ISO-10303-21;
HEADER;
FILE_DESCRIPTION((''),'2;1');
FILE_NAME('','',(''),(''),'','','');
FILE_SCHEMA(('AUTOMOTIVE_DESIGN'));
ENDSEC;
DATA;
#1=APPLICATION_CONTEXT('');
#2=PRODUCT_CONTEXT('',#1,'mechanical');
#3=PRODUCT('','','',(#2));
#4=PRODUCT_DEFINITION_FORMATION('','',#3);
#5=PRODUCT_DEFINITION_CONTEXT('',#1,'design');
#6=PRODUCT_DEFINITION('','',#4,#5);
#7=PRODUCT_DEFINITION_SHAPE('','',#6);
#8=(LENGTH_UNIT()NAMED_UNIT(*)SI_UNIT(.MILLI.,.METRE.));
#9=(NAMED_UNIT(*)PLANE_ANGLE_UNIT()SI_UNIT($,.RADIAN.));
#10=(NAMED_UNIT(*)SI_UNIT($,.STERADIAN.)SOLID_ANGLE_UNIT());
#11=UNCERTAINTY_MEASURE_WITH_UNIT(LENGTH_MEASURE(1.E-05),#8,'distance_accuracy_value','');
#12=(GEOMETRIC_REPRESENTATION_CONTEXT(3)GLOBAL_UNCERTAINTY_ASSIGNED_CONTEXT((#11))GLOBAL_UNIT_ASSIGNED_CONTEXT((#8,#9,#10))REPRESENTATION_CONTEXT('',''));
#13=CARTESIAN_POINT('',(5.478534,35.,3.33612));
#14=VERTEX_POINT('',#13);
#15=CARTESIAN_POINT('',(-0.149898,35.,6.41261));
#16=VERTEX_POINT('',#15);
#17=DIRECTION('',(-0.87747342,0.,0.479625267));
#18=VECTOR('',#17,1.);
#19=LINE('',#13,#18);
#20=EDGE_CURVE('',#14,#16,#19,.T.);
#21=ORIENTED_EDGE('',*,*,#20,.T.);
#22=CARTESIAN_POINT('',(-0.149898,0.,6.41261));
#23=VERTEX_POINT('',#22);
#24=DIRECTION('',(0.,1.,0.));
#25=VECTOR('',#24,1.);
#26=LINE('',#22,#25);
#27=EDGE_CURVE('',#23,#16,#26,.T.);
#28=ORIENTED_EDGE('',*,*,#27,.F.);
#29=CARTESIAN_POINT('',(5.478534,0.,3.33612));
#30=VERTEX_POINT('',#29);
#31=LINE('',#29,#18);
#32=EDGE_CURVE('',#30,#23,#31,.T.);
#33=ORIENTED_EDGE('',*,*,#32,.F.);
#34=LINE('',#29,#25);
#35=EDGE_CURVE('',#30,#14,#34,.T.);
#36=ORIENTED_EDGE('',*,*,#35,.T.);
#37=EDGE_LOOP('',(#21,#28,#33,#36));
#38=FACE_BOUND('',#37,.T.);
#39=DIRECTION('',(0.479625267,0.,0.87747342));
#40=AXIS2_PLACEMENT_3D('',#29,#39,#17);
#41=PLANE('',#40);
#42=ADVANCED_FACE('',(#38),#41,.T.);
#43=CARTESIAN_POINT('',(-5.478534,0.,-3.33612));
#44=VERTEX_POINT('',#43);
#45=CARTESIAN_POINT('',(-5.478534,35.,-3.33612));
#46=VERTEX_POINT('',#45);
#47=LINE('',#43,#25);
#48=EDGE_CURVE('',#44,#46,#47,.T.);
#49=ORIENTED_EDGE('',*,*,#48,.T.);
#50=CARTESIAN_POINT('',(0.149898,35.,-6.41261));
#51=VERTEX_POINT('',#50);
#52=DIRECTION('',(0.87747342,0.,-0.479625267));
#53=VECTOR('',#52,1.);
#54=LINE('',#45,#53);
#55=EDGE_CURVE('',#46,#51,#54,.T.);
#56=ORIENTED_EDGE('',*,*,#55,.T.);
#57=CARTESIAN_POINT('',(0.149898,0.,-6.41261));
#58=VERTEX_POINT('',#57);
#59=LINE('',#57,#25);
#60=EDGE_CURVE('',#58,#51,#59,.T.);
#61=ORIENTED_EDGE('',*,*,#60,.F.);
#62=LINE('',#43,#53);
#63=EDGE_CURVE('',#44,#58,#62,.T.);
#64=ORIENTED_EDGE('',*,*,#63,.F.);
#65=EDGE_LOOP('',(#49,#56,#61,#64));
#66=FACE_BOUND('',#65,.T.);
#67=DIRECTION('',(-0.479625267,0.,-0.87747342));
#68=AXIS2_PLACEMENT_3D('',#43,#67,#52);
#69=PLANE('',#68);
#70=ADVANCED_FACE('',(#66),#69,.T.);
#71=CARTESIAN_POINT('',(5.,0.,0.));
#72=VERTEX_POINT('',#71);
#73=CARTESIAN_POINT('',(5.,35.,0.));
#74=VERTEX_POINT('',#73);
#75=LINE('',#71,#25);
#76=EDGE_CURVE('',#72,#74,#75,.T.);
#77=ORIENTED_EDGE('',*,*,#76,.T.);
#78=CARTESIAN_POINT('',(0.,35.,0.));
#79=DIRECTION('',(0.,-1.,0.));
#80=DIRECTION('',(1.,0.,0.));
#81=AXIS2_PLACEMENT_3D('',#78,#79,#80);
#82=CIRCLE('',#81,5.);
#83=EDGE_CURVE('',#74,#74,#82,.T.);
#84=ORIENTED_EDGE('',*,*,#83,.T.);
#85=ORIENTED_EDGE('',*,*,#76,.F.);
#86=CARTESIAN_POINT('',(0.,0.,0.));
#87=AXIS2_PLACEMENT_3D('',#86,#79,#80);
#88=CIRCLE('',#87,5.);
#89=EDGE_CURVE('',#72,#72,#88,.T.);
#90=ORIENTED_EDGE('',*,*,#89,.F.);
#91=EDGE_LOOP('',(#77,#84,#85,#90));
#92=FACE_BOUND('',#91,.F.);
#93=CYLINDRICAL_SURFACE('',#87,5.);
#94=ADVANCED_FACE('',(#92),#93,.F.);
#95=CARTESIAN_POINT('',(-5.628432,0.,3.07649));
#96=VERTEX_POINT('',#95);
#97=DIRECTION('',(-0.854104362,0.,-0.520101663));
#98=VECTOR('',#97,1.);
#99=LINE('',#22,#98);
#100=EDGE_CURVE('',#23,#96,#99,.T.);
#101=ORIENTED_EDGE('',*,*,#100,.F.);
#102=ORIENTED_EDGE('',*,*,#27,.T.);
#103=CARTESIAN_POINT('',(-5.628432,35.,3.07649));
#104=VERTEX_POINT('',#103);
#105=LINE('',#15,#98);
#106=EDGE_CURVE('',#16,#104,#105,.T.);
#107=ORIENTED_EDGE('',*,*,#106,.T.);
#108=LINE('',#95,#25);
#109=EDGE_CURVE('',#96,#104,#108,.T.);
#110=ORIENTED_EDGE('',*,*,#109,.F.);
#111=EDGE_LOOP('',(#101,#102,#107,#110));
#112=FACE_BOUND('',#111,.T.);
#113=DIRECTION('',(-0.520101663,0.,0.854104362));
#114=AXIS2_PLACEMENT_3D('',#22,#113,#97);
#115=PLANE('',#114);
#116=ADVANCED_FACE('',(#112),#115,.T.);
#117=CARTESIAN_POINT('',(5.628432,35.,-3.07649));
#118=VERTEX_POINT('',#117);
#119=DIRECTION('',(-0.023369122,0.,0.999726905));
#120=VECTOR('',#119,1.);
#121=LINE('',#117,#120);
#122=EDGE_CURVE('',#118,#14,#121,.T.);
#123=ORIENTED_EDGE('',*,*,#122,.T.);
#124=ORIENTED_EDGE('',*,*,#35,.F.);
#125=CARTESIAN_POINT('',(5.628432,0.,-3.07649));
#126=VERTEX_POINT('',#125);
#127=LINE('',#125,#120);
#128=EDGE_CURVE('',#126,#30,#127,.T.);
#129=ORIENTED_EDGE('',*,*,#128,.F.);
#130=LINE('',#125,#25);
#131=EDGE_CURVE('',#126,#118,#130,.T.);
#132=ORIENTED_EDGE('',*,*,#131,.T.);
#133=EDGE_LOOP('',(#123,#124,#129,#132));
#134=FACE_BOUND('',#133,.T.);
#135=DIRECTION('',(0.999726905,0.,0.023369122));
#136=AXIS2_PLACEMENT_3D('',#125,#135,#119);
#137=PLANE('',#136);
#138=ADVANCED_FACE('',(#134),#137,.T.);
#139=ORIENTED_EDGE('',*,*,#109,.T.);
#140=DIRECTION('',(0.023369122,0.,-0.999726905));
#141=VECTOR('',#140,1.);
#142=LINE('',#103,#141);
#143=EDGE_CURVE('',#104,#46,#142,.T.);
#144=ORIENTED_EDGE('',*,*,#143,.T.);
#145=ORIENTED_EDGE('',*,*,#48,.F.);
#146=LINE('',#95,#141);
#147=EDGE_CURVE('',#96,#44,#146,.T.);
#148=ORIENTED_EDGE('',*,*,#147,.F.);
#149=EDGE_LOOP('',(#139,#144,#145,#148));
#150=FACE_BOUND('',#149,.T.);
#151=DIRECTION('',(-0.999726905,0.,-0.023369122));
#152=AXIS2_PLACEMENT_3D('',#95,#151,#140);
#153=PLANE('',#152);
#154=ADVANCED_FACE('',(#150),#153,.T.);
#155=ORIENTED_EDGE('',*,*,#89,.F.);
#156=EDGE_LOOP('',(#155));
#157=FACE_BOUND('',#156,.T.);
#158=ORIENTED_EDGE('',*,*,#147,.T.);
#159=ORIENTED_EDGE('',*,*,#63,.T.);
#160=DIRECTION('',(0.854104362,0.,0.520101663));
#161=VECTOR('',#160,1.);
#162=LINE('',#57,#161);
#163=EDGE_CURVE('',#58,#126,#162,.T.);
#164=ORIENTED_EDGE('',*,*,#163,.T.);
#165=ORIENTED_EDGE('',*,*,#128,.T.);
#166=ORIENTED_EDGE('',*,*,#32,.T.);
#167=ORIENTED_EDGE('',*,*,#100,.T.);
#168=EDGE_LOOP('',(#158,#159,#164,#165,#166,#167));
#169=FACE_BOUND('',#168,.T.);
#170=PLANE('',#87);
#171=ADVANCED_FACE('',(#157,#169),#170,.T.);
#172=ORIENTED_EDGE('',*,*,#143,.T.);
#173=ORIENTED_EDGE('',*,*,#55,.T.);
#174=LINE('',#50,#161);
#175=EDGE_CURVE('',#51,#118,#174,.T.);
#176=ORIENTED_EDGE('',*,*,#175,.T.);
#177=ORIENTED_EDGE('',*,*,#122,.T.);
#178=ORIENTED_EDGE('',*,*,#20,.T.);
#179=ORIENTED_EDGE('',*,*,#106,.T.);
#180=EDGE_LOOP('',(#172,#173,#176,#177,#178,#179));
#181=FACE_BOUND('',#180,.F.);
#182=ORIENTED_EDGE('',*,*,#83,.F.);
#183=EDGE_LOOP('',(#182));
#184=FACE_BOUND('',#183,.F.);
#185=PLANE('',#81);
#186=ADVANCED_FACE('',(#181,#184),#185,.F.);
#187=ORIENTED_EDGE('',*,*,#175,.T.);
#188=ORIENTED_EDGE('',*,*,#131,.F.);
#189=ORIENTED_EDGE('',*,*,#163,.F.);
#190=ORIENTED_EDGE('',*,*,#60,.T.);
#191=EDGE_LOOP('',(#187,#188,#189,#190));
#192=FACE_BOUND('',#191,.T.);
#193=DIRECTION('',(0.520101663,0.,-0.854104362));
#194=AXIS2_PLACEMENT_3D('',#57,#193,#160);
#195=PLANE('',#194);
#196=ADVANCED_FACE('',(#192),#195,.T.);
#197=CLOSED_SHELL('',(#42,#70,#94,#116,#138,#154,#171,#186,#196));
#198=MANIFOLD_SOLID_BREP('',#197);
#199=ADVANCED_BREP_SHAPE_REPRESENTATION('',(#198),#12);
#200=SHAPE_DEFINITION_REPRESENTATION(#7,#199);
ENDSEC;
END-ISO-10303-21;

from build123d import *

# Parameters (mm, degrees)
F1_DEPTH = 35
F2_R     = 5
F3_DEPTH = 35


with BuildPart() as f1:
    # F0 (on Front) → F1 (new body)
    with BuildSketch(Plane.XZ):
        Polygon((-0.149898, 6.41261), (-5.628432, 3.07649), (-5.478534, -3.33612), (0.149898, -6.41261), (5.628432, -3.07649), (5.478534, 3.33612), align=None)
    extrude(amount=-F1_DEPTH)

    # F2 (on Front) → F3 (cut)
    with BuildSketch(Plane.XZ):
        Circle(F2_R)
    extrude(amount=-F3_DEPTH, mode=Mode.SUBTRACT)


solid = f1.part
